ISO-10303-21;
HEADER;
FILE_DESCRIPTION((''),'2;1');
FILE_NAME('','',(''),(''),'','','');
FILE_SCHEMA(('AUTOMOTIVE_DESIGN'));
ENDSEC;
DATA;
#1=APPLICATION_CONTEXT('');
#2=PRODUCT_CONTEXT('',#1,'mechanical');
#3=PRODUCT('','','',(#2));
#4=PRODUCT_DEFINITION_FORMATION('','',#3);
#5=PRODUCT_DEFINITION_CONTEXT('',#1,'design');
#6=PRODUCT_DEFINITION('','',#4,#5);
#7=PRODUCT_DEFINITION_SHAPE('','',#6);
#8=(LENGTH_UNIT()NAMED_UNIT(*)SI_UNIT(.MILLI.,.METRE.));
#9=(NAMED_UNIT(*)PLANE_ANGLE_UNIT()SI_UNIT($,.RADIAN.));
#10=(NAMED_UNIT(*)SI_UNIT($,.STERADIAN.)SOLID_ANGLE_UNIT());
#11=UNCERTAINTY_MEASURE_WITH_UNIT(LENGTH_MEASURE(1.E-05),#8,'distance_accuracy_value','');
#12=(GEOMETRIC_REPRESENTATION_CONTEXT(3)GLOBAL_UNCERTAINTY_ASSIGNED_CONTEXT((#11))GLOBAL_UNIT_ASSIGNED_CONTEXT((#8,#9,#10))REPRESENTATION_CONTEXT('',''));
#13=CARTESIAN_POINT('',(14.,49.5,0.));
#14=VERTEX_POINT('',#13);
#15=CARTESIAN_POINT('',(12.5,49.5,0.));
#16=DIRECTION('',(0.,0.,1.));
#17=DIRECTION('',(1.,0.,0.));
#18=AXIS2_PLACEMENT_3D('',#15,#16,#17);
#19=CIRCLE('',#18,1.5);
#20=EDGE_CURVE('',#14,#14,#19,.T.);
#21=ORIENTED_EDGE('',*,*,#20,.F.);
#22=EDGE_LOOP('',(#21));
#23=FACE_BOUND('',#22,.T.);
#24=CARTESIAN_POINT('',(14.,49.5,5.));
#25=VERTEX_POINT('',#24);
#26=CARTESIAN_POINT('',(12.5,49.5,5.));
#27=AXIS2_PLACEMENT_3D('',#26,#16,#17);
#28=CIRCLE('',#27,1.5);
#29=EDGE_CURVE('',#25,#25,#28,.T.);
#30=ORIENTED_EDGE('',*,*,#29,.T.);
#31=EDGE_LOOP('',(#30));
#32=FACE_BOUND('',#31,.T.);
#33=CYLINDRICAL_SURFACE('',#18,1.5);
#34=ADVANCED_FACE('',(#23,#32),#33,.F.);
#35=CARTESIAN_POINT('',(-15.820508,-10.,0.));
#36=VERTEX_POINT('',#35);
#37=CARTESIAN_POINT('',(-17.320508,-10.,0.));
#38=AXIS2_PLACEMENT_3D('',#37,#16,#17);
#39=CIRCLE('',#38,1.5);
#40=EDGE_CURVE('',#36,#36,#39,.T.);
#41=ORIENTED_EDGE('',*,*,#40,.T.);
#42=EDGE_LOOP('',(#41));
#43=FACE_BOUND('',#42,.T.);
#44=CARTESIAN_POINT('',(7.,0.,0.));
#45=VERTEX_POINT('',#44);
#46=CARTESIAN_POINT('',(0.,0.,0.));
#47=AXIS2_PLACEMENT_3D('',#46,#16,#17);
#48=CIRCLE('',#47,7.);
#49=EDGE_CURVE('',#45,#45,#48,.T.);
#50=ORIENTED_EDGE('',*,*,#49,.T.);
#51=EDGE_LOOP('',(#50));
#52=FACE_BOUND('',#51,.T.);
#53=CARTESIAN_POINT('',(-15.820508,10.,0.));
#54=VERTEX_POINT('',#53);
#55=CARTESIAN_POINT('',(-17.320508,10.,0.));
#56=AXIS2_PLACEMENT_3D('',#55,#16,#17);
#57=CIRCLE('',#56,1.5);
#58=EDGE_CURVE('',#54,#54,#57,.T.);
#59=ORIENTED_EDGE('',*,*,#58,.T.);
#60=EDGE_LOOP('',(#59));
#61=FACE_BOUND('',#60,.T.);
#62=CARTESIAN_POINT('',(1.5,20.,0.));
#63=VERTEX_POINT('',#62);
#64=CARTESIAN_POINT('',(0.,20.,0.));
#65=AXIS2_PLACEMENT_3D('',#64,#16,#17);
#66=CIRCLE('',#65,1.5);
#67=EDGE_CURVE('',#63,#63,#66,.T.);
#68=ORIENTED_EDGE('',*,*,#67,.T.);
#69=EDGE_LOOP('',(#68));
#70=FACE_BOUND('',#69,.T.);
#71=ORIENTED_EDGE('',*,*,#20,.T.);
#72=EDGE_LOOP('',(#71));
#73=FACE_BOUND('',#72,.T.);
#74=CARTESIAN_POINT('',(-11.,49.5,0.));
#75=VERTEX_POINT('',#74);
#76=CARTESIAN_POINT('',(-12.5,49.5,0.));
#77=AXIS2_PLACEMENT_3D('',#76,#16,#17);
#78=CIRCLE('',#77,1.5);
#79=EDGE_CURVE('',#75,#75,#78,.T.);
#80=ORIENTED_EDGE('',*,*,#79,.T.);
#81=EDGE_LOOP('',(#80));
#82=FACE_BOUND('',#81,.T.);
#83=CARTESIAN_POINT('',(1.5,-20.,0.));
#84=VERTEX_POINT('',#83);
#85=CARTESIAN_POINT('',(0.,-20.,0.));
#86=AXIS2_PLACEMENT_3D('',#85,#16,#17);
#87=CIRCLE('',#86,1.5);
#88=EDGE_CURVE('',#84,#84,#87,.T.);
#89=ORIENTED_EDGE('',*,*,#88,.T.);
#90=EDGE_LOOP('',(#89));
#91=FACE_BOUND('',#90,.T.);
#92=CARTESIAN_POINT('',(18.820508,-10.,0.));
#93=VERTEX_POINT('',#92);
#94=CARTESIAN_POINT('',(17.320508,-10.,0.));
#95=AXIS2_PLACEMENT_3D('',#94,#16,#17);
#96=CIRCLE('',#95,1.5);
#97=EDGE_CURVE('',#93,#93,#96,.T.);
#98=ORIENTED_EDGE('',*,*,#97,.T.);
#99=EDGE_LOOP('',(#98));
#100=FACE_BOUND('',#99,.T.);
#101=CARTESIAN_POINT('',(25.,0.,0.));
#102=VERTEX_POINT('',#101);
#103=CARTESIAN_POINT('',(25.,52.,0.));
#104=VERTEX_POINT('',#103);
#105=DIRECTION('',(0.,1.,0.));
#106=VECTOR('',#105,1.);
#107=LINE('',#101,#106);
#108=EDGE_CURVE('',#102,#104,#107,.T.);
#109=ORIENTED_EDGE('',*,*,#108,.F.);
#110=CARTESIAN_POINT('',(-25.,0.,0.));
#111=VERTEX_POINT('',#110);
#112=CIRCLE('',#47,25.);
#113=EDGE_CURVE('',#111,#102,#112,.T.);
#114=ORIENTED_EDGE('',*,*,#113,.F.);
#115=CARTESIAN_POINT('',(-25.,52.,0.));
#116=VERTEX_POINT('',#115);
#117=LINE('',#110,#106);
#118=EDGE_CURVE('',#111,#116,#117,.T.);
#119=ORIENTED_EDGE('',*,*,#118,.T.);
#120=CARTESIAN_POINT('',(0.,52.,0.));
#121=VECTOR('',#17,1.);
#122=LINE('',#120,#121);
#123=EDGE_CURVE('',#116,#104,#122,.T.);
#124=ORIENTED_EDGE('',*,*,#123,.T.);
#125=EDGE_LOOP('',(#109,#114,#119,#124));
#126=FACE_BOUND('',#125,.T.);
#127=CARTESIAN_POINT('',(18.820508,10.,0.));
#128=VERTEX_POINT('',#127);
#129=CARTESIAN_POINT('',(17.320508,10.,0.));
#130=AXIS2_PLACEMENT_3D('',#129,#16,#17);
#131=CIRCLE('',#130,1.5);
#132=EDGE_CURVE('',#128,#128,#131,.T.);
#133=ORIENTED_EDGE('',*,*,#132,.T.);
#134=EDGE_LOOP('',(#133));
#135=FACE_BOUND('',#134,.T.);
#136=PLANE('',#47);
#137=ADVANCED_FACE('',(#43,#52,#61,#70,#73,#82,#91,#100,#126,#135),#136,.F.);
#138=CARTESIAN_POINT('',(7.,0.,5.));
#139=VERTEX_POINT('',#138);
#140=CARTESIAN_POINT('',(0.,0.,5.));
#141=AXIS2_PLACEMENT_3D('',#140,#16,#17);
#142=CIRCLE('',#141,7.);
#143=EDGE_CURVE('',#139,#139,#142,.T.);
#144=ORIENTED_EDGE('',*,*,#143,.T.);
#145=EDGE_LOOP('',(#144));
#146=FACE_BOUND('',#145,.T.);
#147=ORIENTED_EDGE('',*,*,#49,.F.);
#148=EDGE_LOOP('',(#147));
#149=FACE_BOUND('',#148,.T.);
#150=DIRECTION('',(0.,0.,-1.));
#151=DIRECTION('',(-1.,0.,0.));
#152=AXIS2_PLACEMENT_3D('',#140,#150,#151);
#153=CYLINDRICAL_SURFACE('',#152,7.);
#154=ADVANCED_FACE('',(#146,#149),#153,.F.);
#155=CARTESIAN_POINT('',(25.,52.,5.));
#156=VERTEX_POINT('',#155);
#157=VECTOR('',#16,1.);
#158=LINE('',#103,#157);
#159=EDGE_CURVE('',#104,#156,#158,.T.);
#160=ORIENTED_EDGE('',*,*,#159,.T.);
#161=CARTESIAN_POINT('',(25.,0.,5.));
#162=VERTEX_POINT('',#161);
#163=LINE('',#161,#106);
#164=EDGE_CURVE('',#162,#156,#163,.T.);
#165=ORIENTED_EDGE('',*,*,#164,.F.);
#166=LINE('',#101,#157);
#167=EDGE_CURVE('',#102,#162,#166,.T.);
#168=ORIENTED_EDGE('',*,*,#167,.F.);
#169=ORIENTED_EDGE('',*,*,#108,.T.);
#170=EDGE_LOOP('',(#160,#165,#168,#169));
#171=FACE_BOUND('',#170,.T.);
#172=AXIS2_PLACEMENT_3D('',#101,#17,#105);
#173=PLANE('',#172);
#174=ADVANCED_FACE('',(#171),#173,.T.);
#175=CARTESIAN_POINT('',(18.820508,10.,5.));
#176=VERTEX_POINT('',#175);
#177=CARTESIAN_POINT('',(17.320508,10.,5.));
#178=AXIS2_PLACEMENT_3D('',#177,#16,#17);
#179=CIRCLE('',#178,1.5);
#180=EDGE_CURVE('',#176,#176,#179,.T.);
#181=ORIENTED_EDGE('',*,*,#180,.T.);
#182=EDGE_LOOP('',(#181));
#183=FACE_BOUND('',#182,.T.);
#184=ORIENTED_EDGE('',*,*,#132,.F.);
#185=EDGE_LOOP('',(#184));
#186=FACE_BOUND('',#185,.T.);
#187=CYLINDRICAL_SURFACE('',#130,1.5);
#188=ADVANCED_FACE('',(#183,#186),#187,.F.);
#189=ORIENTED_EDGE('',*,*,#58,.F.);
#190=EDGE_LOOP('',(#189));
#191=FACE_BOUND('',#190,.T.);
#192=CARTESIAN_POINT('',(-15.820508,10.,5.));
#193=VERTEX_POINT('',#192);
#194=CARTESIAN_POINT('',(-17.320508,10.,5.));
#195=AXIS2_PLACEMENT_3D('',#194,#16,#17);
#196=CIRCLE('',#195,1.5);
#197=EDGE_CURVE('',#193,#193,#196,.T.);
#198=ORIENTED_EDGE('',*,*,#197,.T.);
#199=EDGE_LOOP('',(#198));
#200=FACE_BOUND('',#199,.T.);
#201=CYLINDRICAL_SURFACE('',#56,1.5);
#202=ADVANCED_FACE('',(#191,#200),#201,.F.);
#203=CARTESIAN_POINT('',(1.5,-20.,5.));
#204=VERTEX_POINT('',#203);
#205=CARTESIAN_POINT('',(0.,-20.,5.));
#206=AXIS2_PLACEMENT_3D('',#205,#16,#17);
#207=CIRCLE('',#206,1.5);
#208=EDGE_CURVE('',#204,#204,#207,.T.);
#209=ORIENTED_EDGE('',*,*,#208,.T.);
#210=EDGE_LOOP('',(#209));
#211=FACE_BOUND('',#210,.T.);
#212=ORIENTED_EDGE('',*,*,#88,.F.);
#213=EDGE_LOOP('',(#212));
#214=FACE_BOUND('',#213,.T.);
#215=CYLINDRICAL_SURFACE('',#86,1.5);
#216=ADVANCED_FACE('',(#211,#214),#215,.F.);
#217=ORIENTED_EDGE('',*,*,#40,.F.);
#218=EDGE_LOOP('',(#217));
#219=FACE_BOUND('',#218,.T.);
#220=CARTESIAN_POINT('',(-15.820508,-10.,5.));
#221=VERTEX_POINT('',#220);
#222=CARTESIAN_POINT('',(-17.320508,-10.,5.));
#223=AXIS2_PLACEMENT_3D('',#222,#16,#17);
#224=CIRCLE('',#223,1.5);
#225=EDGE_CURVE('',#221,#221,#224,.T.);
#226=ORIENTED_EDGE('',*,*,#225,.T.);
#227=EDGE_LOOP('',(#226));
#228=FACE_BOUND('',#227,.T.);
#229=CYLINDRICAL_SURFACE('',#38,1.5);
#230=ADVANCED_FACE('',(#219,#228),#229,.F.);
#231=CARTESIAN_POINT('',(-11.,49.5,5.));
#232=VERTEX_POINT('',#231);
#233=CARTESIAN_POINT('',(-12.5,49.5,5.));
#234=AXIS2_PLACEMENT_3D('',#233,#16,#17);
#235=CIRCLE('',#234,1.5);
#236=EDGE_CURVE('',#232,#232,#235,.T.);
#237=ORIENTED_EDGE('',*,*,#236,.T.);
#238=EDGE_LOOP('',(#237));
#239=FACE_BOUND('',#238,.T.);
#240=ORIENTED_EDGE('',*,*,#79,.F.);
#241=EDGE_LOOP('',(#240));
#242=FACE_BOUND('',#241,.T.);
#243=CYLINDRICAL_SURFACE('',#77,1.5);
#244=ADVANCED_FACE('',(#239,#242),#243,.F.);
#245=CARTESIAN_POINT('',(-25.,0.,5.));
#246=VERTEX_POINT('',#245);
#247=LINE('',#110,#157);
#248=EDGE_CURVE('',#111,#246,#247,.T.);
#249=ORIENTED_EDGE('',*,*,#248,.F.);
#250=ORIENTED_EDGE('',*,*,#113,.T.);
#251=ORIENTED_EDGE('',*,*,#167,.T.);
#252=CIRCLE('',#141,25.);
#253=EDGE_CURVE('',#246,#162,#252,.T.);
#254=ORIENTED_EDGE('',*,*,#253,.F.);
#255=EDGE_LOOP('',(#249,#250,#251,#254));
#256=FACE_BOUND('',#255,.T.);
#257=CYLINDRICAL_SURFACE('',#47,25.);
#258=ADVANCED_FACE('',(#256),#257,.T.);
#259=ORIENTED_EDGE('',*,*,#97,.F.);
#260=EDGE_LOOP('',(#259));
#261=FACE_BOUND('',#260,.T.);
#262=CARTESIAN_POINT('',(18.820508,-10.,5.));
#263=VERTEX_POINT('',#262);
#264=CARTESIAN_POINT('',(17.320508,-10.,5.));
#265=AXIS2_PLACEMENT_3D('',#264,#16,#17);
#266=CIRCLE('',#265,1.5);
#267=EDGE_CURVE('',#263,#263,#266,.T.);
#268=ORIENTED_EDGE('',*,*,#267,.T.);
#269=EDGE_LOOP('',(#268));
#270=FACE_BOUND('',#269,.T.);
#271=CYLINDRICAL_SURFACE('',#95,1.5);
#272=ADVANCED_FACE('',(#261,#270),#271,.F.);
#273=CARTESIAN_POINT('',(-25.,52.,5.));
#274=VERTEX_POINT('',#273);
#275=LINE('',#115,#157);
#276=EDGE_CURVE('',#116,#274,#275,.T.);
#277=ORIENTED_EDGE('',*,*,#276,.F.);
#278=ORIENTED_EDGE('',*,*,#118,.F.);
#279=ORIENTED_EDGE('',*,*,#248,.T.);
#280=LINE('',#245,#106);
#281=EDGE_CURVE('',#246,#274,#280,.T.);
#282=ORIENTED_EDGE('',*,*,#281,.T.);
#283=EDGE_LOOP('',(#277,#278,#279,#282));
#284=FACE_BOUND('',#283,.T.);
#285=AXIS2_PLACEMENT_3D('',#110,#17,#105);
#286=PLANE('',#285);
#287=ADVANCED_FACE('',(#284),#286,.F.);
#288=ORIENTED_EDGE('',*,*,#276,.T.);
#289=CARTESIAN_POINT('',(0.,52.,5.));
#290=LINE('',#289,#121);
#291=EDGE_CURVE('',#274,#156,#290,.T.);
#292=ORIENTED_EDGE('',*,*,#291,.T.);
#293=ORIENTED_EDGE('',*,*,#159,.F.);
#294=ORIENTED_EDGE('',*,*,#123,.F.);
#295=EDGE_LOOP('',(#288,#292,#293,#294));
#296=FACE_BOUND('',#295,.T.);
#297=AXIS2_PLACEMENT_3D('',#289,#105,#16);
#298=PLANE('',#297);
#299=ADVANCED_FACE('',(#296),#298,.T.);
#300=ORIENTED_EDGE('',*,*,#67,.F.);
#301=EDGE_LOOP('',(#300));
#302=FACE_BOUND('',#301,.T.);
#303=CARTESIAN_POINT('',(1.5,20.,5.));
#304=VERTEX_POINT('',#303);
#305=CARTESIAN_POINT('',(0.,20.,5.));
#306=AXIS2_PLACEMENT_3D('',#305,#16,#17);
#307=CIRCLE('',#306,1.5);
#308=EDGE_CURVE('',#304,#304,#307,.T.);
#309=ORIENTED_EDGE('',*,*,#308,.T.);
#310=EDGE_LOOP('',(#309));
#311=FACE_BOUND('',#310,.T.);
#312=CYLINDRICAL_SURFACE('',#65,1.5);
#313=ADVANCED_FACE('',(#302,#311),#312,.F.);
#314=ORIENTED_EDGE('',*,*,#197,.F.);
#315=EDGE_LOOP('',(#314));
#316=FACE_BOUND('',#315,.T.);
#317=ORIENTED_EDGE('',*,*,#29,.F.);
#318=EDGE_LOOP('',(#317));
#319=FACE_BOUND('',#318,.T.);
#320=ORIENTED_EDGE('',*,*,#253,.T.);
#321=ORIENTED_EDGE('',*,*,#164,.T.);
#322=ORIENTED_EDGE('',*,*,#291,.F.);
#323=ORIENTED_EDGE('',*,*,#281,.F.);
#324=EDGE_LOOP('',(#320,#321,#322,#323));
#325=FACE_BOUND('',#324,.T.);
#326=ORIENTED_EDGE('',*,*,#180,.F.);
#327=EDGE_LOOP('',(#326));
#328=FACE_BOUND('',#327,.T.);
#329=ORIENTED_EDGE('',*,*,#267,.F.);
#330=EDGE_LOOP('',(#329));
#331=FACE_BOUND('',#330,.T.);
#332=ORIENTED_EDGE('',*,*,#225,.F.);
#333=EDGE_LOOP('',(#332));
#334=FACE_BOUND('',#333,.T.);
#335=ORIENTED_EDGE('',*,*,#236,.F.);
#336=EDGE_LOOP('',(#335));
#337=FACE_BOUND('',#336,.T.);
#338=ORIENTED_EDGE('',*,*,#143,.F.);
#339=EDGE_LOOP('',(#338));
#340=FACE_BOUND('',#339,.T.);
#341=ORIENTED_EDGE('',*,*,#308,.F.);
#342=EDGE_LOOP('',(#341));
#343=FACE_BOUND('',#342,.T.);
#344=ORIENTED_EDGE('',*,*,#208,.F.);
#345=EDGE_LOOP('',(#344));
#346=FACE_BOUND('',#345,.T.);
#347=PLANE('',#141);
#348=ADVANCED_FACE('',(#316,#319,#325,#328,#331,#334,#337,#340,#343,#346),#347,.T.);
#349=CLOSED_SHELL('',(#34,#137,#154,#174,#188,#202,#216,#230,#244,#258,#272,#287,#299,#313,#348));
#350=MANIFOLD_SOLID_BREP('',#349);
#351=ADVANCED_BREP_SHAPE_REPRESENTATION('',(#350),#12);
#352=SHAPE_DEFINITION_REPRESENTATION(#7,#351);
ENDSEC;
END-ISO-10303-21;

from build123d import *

# Parameters (mm, degrees)
ESQUISSE1_W             = 100
ESQUISSE1_H             = 100.548113933
ESQUISSE1_R             = 7
BOSS_EXTRU_1_DEPTH      = 5
ESQUISSE2_R             = 1.5
ENL_V_MAT_EXTRU_1_DEPTH = 73.311824759


with BuildPart() as part:
    # Esquisse1 → Boss.-Extru.1 (new body)
    with BuildSketch(Plane.XY):
        with Locations((0, 1.725943033)):
            Rectangle(ESQUISSE1_W, ESQUISSE1_H)
        Circle(ESQUISSE1_R, mode=Mode.SUBTRACT)
    extrude(amount=BOSS_EXTRU_1_DEPTH)

    # Esquisse2 → Enlèv. mat.-Extru.1 (cut, through all)
    with BuildSketch(Plane.XY.offset(5)):
        with BuildLine():
            Line((25, 52), (25, 0))
            ThreePointArc((25, 0), (0, -25), (-25, 0))
            Line((-25, 0), (-25, 52))
            Line((-25, 52), (-50, 52))
            Line((-50, 52), (-50, -48.548113933))
            Line((-50, -48.548113933), (50, -48.548113933))
            Line((50, -48.548113933), (50, 52))
            Line((50, 52), (25, 52))
        make_face()
        with Locations((0, -20)):
            Circle(ESQUISSE2_R)
        with Locations((-17.320508076, -10)):
            Circle(ESQUISSE2_R)
        with Locations((-17.320508076, 10)):
            Circle(ESQUISSE2_R)
        with Locations((17.320508076, -10)):
            Circle(ESQUISSE2_R)
        with Locations((0, 20)):
            Circle(ESQUISSE2_R)
        with Locations((17.320508076, 10)):
            Circle(ESQUISSE2_R)
        with Locations((-12.5, 49.5)):
            Circle(ESQUISSE2_R)
        with Locations((12.5, 49.5)):
            Circle(ESQUISSE2_R)
    extrude(amount=-ENL_V_MAT_EXTRU_1_DEPTH, mode=Mode.SUBTRACT)


solid = part.part
